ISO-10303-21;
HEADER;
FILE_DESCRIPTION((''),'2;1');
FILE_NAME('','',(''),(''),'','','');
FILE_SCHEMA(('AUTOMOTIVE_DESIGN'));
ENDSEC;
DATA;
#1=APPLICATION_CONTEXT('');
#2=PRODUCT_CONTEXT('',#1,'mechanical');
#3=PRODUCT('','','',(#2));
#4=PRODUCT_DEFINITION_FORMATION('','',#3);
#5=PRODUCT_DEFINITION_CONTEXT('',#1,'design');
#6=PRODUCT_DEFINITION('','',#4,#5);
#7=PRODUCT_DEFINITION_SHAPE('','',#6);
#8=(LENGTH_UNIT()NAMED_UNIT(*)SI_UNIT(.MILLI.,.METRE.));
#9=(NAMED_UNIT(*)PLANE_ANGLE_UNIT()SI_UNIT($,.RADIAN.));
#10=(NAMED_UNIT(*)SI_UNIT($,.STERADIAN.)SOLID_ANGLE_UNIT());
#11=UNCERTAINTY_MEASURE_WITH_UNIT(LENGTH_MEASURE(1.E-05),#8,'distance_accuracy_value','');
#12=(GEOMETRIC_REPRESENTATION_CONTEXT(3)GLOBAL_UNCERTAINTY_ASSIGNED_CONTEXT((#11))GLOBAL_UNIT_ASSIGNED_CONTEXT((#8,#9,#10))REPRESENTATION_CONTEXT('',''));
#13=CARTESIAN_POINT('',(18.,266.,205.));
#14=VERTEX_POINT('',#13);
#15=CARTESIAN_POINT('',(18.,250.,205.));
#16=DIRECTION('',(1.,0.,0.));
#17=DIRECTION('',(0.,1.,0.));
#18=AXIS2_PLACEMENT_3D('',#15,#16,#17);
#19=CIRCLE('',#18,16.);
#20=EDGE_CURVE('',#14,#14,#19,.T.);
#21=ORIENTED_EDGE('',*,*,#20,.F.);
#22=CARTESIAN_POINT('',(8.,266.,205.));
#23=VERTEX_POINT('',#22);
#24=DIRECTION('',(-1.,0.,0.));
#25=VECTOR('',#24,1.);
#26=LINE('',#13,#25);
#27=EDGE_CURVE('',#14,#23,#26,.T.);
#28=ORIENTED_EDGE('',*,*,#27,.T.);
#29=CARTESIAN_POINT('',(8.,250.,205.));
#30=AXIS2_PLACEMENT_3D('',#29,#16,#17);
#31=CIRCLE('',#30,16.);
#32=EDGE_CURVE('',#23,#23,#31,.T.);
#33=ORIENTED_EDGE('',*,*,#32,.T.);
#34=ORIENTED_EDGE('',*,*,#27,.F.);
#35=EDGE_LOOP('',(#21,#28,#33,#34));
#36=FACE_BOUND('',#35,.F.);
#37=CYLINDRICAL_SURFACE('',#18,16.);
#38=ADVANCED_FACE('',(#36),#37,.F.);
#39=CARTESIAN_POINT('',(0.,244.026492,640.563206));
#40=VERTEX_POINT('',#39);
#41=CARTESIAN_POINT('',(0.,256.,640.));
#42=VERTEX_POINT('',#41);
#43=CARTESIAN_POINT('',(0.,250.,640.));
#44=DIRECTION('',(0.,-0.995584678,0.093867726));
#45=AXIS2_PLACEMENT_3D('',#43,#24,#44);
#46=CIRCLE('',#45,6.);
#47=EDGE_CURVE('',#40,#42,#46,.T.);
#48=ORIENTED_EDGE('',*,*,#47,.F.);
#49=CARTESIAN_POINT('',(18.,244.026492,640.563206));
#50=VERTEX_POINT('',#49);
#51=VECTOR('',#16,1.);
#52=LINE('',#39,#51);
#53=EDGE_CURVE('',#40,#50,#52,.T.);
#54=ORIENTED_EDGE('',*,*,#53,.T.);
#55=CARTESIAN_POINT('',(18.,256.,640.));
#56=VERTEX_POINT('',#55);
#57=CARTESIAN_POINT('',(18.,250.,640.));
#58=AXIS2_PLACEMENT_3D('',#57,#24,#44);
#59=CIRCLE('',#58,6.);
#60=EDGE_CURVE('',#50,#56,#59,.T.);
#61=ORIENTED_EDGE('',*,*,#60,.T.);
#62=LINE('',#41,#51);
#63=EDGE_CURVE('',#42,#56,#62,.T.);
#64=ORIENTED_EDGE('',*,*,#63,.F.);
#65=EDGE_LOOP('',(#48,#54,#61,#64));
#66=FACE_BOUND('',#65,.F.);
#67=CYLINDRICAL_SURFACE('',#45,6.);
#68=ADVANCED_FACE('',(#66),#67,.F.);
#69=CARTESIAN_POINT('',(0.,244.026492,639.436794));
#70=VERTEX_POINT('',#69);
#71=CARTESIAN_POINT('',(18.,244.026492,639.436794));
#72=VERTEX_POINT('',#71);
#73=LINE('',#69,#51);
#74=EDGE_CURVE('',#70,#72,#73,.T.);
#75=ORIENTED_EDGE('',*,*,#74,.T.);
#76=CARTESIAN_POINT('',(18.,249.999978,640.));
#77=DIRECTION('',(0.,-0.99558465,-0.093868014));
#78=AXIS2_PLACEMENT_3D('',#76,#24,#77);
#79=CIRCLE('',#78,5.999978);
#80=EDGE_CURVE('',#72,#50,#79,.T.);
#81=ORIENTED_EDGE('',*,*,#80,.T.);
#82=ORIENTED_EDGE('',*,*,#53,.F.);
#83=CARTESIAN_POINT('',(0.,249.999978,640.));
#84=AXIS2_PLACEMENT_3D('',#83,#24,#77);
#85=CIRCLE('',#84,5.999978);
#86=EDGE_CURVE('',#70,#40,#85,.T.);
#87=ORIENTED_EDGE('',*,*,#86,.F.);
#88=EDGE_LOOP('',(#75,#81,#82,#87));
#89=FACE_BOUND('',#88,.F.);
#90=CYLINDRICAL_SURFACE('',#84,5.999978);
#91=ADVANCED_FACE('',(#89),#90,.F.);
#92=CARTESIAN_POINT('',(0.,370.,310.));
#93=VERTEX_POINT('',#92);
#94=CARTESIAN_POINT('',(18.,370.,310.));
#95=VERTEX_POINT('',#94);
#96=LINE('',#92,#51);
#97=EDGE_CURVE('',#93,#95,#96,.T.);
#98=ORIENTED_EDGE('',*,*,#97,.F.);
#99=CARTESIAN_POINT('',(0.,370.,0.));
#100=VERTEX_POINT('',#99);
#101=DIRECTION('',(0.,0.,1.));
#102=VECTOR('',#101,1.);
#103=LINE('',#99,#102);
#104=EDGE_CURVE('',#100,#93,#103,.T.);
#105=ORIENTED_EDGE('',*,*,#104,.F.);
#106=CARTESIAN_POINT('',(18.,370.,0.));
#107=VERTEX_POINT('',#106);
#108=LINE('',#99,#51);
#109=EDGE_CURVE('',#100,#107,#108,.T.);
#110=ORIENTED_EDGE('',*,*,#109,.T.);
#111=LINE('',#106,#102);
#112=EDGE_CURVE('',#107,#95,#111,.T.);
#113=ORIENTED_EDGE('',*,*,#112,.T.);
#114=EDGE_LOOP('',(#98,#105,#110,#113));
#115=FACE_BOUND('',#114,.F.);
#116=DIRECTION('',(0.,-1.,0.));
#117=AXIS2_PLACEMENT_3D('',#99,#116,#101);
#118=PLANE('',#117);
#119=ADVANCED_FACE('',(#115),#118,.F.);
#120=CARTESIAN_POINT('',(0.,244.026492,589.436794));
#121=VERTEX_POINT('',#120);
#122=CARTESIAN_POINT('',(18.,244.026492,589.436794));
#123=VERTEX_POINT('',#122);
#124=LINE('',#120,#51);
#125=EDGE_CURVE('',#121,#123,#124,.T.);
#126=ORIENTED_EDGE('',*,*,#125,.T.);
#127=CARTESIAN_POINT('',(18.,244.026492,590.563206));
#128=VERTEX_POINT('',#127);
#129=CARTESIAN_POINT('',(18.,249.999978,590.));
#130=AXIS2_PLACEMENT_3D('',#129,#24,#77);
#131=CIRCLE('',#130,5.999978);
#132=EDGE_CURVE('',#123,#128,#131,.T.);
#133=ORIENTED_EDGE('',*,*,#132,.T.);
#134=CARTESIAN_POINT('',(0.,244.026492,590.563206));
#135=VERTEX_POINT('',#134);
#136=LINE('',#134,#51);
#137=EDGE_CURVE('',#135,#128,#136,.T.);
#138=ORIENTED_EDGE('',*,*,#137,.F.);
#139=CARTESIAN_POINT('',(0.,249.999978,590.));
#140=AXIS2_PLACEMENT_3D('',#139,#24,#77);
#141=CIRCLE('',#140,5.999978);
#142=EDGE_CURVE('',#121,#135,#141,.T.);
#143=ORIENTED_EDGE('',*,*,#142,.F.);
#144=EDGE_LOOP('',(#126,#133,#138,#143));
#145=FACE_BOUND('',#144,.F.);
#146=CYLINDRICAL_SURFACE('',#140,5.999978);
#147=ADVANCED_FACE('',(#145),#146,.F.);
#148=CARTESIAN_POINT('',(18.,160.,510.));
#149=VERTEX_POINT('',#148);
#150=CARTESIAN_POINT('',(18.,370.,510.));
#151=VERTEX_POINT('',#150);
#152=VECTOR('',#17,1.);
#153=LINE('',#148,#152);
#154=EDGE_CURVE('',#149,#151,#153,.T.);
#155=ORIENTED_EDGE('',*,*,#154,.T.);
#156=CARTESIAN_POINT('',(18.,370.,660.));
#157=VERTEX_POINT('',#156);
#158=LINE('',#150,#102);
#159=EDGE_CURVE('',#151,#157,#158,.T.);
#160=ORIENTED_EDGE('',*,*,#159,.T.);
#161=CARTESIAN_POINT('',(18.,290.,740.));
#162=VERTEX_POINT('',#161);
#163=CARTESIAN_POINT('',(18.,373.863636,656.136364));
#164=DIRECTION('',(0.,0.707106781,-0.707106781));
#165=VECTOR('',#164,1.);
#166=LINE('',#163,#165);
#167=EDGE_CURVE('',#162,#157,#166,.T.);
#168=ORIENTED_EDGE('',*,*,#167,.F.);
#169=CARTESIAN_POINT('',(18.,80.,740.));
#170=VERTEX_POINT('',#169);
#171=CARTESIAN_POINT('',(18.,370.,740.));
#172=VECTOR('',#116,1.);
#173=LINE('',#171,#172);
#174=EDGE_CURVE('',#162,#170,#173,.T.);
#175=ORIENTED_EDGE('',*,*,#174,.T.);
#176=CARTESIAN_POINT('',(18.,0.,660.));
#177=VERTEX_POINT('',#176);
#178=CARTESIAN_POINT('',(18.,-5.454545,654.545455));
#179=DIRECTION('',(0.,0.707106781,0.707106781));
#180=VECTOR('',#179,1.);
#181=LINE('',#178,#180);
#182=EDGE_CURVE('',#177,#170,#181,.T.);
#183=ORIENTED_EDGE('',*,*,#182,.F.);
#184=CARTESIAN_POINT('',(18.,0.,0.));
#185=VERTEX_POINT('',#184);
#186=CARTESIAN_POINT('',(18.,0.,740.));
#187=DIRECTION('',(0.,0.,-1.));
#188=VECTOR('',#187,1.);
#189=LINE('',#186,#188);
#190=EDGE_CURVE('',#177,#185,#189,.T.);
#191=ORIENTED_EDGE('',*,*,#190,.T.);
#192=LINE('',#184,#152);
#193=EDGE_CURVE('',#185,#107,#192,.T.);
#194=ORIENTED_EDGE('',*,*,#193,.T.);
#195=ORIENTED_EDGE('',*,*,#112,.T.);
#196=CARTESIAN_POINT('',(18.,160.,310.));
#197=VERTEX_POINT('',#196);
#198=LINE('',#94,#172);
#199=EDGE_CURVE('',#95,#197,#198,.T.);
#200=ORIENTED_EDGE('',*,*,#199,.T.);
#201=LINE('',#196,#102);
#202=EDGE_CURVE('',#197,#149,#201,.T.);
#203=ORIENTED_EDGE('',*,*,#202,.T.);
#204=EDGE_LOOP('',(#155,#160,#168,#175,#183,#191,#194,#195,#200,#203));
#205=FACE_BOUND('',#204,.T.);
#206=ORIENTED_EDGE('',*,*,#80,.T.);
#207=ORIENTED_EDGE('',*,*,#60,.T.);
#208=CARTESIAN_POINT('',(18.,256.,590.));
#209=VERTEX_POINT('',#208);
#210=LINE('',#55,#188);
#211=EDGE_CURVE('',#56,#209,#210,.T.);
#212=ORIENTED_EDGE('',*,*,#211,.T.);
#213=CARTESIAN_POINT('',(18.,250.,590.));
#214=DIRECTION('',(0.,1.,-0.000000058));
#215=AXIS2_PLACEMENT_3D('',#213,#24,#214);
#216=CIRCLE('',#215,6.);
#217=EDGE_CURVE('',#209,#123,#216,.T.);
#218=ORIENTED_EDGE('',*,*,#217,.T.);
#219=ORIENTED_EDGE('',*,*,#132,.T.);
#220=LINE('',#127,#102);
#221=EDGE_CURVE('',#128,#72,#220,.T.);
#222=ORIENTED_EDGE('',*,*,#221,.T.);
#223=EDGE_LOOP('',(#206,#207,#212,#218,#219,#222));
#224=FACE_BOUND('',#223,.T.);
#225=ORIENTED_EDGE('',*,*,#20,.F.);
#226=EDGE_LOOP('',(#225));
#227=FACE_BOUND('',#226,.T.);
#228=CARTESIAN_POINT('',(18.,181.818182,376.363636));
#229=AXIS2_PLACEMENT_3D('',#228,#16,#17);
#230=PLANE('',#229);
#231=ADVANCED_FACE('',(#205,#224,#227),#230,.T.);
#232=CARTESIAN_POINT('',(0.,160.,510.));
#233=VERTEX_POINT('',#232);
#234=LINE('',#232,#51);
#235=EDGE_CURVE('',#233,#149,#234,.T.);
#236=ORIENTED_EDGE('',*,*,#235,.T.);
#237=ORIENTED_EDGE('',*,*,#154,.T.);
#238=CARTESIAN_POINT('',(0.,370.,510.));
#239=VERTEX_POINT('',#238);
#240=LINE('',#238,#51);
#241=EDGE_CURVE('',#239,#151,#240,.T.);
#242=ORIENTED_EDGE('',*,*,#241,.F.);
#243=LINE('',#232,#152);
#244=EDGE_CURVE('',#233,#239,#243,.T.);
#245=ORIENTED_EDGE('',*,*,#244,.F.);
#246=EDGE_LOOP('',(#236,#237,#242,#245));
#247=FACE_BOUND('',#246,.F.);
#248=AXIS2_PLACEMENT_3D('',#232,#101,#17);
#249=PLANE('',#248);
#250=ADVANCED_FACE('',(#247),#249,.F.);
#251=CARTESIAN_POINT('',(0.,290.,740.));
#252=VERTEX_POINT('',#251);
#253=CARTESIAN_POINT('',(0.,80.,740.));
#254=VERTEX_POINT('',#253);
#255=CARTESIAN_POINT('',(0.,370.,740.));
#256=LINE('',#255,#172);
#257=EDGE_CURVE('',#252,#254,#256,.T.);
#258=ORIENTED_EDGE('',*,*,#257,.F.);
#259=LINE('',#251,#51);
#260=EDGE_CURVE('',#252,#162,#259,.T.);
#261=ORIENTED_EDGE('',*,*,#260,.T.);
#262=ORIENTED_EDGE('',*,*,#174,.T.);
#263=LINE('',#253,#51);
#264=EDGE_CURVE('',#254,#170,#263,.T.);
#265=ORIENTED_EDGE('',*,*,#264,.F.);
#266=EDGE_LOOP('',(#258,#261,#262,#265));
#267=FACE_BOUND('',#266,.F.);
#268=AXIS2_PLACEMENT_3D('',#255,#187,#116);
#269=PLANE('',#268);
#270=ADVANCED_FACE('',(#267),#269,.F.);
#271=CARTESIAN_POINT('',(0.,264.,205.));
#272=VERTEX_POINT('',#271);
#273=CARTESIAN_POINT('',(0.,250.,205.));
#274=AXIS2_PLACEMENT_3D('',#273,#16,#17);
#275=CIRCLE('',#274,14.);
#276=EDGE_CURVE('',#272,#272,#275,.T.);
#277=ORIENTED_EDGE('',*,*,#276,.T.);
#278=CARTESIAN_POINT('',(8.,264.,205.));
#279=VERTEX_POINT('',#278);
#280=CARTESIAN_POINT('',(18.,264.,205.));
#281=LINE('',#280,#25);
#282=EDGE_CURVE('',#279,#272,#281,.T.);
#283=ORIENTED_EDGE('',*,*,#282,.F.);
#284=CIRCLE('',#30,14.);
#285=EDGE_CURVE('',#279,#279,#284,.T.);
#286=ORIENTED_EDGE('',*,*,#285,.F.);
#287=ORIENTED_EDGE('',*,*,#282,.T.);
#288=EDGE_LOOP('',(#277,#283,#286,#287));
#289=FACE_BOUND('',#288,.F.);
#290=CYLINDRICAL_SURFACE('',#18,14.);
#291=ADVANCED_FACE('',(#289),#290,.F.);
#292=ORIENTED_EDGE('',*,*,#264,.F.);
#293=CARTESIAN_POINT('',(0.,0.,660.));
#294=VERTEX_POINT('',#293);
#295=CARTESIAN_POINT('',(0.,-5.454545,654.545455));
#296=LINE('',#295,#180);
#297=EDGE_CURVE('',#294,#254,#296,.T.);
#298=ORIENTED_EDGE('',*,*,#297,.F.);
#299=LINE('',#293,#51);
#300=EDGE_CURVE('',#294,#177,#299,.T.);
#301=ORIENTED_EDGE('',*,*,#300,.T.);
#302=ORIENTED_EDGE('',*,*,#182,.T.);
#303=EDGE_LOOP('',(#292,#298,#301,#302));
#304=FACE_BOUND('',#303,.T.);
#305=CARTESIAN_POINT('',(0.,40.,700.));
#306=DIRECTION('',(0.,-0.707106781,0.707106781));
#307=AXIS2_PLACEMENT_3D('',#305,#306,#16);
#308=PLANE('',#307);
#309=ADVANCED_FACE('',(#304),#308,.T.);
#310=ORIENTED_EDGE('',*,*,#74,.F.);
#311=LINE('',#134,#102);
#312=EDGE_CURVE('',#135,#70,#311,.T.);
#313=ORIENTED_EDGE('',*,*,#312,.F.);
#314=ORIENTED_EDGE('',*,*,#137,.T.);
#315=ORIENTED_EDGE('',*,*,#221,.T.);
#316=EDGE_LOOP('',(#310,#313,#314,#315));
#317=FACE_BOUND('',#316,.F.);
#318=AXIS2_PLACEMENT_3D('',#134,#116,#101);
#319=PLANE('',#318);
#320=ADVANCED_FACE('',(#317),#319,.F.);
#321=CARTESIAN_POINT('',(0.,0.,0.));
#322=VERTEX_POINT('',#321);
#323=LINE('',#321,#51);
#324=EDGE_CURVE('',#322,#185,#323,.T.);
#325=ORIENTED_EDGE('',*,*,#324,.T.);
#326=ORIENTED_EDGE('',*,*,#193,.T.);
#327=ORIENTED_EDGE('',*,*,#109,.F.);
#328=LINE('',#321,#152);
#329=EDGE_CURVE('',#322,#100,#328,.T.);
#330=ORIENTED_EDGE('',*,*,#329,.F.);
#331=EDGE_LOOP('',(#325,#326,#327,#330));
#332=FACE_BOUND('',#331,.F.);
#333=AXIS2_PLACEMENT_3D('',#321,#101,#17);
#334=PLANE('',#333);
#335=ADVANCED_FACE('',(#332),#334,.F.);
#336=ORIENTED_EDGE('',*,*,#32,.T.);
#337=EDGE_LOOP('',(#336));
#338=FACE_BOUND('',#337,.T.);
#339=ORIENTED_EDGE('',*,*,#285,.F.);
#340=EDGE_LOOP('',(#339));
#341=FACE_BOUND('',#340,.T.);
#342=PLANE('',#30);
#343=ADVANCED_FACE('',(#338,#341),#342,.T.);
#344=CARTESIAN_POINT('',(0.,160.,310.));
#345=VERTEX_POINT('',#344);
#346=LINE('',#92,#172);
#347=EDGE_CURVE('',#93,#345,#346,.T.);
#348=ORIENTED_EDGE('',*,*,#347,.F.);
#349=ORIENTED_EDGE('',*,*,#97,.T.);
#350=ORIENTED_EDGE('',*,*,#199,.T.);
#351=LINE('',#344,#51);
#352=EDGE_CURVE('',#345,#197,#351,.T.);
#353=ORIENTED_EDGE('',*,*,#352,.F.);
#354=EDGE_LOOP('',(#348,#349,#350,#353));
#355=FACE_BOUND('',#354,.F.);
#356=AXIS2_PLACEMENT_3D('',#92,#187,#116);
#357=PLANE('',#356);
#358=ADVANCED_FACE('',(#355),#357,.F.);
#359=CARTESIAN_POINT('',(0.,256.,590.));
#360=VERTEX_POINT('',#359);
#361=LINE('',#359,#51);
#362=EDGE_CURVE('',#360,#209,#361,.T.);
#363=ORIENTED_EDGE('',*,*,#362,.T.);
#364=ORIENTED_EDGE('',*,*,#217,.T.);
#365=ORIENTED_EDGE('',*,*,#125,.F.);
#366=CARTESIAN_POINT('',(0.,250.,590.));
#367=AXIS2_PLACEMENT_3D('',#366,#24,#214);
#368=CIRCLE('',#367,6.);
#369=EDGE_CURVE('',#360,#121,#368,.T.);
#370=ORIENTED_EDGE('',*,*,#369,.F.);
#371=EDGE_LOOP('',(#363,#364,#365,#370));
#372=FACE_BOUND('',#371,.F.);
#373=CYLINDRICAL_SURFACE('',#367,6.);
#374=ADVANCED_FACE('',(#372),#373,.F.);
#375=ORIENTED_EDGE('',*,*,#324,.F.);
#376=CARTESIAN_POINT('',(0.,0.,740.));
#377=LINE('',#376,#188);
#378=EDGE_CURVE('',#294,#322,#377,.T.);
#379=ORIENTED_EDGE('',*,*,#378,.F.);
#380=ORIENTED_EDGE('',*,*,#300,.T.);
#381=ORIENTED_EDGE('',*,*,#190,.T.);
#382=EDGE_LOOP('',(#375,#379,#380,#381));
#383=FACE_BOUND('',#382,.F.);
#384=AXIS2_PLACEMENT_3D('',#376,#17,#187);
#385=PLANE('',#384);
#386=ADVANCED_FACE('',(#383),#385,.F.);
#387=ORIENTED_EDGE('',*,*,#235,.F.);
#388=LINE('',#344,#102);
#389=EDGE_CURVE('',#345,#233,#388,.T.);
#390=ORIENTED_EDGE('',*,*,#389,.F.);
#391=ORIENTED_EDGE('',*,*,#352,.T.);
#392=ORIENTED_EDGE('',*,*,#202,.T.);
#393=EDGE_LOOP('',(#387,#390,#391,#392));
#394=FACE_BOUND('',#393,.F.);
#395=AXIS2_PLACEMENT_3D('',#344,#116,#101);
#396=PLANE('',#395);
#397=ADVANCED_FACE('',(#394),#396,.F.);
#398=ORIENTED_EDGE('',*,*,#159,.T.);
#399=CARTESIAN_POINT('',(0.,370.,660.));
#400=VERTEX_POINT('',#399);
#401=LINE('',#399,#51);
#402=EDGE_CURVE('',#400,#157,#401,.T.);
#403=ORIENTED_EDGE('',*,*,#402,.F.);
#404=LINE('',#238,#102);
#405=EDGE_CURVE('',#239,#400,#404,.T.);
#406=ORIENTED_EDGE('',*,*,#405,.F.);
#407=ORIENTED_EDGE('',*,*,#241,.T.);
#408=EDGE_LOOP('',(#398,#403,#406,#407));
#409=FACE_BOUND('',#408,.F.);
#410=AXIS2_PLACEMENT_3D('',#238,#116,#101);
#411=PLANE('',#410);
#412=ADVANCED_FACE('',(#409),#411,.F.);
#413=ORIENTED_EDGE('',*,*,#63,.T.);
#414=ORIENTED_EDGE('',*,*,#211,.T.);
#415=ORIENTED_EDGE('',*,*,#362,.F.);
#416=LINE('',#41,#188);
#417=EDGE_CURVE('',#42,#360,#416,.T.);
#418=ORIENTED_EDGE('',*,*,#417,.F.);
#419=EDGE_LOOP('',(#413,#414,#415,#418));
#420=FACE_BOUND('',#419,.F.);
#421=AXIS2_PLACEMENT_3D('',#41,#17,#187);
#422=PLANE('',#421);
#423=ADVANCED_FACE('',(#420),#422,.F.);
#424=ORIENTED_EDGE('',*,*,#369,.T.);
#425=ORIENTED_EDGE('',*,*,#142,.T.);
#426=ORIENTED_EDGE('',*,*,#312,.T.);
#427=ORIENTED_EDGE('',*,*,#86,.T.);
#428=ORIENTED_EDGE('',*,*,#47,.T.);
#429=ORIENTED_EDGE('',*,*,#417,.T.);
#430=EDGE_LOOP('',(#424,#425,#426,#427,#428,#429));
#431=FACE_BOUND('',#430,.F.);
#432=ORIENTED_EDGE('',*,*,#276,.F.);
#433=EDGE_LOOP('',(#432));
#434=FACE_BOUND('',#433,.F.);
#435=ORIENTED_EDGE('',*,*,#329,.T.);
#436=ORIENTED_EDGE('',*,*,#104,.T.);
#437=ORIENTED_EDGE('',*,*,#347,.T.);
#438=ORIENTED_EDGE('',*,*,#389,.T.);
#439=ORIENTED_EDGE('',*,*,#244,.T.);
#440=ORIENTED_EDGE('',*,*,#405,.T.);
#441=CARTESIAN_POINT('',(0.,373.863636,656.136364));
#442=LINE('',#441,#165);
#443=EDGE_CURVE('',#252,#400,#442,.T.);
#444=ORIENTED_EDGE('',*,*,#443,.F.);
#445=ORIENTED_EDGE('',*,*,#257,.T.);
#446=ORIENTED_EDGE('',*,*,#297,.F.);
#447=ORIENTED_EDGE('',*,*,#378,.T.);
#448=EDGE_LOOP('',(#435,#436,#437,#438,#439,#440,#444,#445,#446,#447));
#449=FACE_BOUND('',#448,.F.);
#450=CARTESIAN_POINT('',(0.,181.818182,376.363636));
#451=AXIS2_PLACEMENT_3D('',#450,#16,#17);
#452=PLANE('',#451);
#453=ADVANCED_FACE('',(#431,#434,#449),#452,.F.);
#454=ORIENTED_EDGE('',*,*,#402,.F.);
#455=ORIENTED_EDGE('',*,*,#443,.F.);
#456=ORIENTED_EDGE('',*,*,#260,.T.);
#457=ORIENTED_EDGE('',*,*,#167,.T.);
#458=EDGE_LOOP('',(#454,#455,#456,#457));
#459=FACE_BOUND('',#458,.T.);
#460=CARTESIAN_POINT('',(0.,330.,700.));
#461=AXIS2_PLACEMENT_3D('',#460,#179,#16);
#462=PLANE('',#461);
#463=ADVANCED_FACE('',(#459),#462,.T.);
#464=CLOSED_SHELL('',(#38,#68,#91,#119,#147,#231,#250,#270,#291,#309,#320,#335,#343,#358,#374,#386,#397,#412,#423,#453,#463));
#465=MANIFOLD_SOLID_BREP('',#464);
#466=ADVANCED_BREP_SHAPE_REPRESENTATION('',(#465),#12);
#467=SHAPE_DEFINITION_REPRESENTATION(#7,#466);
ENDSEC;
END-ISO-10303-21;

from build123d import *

# Parameters (mm, degrees)
F1_DEPTH = 18
F2_SIZE  = 80
F3_R     = 16
F4_DEPTH = 10
F5_R     = 14
F6_DEPTH = 18


with BuildPart() as f1:
    # F0 (on Right) → F1 (new body)
    with BuildSketch(Plane.YZ):
        Polygon((0, 740), (0, 0), (370, 0), (370, 310), (160, 310), (160, 510), (370, 510), (370, 740), align=None)
        with BuildLine():
            ThreePointArc((244.026492, 640.563206), (250.281914, 645.993373), (256, 640))
            Line((256, 640), (256, 590))
            ThreePointArc((256, 590), (250.281914, 584.006627), (244.026492, 589.436794))
            ThreePointArc((244.026492, 589.436794), (244, 590), (244.026492, 590.563206))
            Line((244.026492, 590.563206), (244.026492, 639.436794))
            ThreePointArc((244.026492, 639.436794), (244, 640), (244.026492, 640.563206))
        make_face(mode=Mode.SUBTRACT)
    extrude(amount=F1_DEPTH)

    # F2
    f2_edges = [f1.edges().sort_by_distance(p)[0] for p in [
        (9, 0, 740),
        (9, 370, 740),
    ]]
    chamfer(f2_edges, length=F2_SIZE)

    # F3 (on face) → F4 (cut)
    with BuildSketch(Plane.YZ.offset(18)):
        with Locations((250, 205)):
            Circle(F3_R)
    extrude(amount=-F4_DEPTH, mode=Mode.SUBTRACT)

    # F5 (on face) → F6 (cut)
    with BuildSketch(Plane.YZ.offset(18)):
        with Locations((250, 205)):
            Circle(F5_R)
    extrude(amount=-F6_DEPTH, mode=Mode.SUBTRACT)


solid = f1.part
